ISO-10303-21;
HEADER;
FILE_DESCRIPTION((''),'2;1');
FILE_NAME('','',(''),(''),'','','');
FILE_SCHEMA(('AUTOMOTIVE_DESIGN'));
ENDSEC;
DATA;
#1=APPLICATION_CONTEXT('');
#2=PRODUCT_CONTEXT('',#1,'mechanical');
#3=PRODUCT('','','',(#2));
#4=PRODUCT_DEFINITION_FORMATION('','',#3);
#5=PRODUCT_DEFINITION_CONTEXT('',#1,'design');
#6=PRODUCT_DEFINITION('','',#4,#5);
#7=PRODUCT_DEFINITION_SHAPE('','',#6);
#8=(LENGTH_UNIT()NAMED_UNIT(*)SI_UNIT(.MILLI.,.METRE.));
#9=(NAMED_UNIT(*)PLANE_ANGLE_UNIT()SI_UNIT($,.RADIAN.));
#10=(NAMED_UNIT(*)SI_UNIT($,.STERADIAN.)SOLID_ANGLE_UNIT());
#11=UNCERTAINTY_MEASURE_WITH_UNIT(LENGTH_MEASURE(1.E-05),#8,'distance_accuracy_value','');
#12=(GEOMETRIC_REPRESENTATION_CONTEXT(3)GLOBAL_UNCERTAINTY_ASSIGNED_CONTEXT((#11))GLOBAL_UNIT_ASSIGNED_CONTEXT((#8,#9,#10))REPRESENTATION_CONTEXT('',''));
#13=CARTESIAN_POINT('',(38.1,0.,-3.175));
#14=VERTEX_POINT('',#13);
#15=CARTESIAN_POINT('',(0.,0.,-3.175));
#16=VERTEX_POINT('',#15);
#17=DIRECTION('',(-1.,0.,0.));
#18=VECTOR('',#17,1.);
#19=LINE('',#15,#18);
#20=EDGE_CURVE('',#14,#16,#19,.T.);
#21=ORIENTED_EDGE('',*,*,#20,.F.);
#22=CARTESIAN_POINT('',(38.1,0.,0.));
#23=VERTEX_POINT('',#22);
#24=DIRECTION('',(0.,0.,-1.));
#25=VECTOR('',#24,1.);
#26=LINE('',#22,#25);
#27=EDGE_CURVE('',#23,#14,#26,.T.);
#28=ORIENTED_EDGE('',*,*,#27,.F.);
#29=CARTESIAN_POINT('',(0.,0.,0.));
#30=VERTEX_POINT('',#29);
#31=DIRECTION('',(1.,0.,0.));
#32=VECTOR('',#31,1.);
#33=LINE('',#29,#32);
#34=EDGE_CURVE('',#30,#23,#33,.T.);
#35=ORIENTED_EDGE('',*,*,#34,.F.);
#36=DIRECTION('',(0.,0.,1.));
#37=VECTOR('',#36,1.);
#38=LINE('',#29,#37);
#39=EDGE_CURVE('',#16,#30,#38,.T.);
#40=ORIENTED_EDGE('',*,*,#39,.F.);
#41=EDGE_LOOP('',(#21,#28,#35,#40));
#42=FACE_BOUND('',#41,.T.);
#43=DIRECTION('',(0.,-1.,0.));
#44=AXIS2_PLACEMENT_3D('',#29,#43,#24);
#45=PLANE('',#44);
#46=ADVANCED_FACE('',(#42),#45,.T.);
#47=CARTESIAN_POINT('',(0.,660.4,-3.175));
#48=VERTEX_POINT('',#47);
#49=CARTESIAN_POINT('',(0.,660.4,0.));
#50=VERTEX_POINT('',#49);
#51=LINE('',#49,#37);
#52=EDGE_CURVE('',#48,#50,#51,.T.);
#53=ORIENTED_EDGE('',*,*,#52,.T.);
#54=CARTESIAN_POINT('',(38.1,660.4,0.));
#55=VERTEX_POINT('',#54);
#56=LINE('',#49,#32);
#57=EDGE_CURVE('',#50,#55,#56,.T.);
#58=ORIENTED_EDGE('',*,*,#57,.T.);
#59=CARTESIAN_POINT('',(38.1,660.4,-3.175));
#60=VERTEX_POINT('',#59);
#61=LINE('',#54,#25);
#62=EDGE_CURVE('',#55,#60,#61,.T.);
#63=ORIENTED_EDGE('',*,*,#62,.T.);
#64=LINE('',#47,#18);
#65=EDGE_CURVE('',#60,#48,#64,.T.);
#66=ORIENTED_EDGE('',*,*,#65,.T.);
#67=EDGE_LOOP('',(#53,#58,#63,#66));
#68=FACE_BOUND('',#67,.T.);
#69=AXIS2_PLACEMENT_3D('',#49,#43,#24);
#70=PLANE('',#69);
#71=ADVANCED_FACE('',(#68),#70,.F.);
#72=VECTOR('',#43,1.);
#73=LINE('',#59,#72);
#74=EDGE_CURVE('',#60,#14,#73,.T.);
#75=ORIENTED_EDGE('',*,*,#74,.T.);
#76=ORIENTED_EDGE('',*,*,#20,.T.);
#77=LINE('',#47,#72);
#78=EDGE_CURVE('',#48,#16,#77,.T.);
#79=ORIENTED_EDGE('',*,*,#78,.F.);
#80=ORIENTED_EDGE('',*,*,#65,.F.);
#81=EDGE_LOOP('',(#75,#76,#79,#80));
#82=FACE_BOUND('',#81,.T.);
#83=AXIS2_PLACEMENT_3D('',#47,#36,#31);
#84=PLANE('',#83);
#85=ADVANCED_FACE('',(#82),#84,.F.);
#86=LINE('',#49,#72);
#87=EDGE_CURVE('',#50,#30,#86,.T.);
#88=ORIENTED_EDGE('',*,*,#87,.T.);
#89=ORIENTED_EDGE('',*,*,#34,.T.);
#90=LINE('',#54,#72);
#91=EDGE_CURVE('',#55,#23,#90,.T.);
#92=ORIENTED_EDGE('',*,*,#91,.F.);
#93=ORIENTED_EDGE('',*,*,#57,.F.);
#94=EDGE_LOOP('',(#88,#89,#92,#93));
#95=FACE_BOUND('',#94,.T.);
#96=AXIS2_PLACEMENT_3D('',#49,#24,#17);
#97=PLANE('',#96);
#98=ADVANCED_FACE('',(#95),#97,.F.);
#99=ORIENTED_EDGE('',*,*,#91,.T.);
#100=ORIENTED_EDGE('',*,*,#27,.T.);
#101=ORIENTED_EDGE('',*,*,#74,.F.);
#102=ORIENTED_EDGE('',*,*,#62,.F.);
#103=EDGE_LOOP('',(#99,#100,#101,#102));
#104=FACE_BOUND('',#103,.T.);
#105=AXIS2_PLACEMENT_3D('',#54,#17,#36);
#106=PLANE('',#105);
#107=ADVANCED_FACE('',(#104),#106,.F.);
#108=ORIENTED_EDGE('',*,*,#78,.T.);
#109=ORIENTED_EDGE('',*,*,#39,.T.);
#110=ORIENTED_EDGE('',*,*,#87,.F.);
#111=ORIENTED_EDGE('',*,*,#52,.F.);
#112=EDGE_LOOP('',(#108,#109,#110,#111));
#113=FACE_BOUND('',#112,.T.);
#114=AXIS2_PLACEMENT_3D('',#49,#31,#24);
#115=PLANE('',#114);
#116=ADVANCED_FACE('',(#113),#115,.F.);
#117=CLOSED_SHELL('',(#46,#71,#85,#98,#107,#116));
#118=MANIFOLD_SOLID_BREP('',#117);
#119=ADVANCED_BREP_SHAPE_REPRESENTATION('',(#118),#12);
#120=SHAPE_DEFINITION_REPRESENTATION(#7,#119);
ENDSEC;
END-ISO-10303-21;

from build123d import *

# Parameters (mm, degrees)
SKETCH2_W           = 38.1
SKETCH2_H           = 3.175
BOSS_EXTRUDE1_DEPTH = 660.4


with BuildPart() as part:
    # Sketch2 → Boss-Extrude1 (new body)
    with BuildSketch(Plane(origin=(0, 0, 0), x_dir=(1, 0, 0), z_dir=(0, 1, 0))):
        with Locations((19.05, 1.5875)):
            Rectangle(SKETCH2_W, SKETCH2_H)
    extrude(amount=BOSS_EXTRUDE1_DEPTH)


solid = part.part
